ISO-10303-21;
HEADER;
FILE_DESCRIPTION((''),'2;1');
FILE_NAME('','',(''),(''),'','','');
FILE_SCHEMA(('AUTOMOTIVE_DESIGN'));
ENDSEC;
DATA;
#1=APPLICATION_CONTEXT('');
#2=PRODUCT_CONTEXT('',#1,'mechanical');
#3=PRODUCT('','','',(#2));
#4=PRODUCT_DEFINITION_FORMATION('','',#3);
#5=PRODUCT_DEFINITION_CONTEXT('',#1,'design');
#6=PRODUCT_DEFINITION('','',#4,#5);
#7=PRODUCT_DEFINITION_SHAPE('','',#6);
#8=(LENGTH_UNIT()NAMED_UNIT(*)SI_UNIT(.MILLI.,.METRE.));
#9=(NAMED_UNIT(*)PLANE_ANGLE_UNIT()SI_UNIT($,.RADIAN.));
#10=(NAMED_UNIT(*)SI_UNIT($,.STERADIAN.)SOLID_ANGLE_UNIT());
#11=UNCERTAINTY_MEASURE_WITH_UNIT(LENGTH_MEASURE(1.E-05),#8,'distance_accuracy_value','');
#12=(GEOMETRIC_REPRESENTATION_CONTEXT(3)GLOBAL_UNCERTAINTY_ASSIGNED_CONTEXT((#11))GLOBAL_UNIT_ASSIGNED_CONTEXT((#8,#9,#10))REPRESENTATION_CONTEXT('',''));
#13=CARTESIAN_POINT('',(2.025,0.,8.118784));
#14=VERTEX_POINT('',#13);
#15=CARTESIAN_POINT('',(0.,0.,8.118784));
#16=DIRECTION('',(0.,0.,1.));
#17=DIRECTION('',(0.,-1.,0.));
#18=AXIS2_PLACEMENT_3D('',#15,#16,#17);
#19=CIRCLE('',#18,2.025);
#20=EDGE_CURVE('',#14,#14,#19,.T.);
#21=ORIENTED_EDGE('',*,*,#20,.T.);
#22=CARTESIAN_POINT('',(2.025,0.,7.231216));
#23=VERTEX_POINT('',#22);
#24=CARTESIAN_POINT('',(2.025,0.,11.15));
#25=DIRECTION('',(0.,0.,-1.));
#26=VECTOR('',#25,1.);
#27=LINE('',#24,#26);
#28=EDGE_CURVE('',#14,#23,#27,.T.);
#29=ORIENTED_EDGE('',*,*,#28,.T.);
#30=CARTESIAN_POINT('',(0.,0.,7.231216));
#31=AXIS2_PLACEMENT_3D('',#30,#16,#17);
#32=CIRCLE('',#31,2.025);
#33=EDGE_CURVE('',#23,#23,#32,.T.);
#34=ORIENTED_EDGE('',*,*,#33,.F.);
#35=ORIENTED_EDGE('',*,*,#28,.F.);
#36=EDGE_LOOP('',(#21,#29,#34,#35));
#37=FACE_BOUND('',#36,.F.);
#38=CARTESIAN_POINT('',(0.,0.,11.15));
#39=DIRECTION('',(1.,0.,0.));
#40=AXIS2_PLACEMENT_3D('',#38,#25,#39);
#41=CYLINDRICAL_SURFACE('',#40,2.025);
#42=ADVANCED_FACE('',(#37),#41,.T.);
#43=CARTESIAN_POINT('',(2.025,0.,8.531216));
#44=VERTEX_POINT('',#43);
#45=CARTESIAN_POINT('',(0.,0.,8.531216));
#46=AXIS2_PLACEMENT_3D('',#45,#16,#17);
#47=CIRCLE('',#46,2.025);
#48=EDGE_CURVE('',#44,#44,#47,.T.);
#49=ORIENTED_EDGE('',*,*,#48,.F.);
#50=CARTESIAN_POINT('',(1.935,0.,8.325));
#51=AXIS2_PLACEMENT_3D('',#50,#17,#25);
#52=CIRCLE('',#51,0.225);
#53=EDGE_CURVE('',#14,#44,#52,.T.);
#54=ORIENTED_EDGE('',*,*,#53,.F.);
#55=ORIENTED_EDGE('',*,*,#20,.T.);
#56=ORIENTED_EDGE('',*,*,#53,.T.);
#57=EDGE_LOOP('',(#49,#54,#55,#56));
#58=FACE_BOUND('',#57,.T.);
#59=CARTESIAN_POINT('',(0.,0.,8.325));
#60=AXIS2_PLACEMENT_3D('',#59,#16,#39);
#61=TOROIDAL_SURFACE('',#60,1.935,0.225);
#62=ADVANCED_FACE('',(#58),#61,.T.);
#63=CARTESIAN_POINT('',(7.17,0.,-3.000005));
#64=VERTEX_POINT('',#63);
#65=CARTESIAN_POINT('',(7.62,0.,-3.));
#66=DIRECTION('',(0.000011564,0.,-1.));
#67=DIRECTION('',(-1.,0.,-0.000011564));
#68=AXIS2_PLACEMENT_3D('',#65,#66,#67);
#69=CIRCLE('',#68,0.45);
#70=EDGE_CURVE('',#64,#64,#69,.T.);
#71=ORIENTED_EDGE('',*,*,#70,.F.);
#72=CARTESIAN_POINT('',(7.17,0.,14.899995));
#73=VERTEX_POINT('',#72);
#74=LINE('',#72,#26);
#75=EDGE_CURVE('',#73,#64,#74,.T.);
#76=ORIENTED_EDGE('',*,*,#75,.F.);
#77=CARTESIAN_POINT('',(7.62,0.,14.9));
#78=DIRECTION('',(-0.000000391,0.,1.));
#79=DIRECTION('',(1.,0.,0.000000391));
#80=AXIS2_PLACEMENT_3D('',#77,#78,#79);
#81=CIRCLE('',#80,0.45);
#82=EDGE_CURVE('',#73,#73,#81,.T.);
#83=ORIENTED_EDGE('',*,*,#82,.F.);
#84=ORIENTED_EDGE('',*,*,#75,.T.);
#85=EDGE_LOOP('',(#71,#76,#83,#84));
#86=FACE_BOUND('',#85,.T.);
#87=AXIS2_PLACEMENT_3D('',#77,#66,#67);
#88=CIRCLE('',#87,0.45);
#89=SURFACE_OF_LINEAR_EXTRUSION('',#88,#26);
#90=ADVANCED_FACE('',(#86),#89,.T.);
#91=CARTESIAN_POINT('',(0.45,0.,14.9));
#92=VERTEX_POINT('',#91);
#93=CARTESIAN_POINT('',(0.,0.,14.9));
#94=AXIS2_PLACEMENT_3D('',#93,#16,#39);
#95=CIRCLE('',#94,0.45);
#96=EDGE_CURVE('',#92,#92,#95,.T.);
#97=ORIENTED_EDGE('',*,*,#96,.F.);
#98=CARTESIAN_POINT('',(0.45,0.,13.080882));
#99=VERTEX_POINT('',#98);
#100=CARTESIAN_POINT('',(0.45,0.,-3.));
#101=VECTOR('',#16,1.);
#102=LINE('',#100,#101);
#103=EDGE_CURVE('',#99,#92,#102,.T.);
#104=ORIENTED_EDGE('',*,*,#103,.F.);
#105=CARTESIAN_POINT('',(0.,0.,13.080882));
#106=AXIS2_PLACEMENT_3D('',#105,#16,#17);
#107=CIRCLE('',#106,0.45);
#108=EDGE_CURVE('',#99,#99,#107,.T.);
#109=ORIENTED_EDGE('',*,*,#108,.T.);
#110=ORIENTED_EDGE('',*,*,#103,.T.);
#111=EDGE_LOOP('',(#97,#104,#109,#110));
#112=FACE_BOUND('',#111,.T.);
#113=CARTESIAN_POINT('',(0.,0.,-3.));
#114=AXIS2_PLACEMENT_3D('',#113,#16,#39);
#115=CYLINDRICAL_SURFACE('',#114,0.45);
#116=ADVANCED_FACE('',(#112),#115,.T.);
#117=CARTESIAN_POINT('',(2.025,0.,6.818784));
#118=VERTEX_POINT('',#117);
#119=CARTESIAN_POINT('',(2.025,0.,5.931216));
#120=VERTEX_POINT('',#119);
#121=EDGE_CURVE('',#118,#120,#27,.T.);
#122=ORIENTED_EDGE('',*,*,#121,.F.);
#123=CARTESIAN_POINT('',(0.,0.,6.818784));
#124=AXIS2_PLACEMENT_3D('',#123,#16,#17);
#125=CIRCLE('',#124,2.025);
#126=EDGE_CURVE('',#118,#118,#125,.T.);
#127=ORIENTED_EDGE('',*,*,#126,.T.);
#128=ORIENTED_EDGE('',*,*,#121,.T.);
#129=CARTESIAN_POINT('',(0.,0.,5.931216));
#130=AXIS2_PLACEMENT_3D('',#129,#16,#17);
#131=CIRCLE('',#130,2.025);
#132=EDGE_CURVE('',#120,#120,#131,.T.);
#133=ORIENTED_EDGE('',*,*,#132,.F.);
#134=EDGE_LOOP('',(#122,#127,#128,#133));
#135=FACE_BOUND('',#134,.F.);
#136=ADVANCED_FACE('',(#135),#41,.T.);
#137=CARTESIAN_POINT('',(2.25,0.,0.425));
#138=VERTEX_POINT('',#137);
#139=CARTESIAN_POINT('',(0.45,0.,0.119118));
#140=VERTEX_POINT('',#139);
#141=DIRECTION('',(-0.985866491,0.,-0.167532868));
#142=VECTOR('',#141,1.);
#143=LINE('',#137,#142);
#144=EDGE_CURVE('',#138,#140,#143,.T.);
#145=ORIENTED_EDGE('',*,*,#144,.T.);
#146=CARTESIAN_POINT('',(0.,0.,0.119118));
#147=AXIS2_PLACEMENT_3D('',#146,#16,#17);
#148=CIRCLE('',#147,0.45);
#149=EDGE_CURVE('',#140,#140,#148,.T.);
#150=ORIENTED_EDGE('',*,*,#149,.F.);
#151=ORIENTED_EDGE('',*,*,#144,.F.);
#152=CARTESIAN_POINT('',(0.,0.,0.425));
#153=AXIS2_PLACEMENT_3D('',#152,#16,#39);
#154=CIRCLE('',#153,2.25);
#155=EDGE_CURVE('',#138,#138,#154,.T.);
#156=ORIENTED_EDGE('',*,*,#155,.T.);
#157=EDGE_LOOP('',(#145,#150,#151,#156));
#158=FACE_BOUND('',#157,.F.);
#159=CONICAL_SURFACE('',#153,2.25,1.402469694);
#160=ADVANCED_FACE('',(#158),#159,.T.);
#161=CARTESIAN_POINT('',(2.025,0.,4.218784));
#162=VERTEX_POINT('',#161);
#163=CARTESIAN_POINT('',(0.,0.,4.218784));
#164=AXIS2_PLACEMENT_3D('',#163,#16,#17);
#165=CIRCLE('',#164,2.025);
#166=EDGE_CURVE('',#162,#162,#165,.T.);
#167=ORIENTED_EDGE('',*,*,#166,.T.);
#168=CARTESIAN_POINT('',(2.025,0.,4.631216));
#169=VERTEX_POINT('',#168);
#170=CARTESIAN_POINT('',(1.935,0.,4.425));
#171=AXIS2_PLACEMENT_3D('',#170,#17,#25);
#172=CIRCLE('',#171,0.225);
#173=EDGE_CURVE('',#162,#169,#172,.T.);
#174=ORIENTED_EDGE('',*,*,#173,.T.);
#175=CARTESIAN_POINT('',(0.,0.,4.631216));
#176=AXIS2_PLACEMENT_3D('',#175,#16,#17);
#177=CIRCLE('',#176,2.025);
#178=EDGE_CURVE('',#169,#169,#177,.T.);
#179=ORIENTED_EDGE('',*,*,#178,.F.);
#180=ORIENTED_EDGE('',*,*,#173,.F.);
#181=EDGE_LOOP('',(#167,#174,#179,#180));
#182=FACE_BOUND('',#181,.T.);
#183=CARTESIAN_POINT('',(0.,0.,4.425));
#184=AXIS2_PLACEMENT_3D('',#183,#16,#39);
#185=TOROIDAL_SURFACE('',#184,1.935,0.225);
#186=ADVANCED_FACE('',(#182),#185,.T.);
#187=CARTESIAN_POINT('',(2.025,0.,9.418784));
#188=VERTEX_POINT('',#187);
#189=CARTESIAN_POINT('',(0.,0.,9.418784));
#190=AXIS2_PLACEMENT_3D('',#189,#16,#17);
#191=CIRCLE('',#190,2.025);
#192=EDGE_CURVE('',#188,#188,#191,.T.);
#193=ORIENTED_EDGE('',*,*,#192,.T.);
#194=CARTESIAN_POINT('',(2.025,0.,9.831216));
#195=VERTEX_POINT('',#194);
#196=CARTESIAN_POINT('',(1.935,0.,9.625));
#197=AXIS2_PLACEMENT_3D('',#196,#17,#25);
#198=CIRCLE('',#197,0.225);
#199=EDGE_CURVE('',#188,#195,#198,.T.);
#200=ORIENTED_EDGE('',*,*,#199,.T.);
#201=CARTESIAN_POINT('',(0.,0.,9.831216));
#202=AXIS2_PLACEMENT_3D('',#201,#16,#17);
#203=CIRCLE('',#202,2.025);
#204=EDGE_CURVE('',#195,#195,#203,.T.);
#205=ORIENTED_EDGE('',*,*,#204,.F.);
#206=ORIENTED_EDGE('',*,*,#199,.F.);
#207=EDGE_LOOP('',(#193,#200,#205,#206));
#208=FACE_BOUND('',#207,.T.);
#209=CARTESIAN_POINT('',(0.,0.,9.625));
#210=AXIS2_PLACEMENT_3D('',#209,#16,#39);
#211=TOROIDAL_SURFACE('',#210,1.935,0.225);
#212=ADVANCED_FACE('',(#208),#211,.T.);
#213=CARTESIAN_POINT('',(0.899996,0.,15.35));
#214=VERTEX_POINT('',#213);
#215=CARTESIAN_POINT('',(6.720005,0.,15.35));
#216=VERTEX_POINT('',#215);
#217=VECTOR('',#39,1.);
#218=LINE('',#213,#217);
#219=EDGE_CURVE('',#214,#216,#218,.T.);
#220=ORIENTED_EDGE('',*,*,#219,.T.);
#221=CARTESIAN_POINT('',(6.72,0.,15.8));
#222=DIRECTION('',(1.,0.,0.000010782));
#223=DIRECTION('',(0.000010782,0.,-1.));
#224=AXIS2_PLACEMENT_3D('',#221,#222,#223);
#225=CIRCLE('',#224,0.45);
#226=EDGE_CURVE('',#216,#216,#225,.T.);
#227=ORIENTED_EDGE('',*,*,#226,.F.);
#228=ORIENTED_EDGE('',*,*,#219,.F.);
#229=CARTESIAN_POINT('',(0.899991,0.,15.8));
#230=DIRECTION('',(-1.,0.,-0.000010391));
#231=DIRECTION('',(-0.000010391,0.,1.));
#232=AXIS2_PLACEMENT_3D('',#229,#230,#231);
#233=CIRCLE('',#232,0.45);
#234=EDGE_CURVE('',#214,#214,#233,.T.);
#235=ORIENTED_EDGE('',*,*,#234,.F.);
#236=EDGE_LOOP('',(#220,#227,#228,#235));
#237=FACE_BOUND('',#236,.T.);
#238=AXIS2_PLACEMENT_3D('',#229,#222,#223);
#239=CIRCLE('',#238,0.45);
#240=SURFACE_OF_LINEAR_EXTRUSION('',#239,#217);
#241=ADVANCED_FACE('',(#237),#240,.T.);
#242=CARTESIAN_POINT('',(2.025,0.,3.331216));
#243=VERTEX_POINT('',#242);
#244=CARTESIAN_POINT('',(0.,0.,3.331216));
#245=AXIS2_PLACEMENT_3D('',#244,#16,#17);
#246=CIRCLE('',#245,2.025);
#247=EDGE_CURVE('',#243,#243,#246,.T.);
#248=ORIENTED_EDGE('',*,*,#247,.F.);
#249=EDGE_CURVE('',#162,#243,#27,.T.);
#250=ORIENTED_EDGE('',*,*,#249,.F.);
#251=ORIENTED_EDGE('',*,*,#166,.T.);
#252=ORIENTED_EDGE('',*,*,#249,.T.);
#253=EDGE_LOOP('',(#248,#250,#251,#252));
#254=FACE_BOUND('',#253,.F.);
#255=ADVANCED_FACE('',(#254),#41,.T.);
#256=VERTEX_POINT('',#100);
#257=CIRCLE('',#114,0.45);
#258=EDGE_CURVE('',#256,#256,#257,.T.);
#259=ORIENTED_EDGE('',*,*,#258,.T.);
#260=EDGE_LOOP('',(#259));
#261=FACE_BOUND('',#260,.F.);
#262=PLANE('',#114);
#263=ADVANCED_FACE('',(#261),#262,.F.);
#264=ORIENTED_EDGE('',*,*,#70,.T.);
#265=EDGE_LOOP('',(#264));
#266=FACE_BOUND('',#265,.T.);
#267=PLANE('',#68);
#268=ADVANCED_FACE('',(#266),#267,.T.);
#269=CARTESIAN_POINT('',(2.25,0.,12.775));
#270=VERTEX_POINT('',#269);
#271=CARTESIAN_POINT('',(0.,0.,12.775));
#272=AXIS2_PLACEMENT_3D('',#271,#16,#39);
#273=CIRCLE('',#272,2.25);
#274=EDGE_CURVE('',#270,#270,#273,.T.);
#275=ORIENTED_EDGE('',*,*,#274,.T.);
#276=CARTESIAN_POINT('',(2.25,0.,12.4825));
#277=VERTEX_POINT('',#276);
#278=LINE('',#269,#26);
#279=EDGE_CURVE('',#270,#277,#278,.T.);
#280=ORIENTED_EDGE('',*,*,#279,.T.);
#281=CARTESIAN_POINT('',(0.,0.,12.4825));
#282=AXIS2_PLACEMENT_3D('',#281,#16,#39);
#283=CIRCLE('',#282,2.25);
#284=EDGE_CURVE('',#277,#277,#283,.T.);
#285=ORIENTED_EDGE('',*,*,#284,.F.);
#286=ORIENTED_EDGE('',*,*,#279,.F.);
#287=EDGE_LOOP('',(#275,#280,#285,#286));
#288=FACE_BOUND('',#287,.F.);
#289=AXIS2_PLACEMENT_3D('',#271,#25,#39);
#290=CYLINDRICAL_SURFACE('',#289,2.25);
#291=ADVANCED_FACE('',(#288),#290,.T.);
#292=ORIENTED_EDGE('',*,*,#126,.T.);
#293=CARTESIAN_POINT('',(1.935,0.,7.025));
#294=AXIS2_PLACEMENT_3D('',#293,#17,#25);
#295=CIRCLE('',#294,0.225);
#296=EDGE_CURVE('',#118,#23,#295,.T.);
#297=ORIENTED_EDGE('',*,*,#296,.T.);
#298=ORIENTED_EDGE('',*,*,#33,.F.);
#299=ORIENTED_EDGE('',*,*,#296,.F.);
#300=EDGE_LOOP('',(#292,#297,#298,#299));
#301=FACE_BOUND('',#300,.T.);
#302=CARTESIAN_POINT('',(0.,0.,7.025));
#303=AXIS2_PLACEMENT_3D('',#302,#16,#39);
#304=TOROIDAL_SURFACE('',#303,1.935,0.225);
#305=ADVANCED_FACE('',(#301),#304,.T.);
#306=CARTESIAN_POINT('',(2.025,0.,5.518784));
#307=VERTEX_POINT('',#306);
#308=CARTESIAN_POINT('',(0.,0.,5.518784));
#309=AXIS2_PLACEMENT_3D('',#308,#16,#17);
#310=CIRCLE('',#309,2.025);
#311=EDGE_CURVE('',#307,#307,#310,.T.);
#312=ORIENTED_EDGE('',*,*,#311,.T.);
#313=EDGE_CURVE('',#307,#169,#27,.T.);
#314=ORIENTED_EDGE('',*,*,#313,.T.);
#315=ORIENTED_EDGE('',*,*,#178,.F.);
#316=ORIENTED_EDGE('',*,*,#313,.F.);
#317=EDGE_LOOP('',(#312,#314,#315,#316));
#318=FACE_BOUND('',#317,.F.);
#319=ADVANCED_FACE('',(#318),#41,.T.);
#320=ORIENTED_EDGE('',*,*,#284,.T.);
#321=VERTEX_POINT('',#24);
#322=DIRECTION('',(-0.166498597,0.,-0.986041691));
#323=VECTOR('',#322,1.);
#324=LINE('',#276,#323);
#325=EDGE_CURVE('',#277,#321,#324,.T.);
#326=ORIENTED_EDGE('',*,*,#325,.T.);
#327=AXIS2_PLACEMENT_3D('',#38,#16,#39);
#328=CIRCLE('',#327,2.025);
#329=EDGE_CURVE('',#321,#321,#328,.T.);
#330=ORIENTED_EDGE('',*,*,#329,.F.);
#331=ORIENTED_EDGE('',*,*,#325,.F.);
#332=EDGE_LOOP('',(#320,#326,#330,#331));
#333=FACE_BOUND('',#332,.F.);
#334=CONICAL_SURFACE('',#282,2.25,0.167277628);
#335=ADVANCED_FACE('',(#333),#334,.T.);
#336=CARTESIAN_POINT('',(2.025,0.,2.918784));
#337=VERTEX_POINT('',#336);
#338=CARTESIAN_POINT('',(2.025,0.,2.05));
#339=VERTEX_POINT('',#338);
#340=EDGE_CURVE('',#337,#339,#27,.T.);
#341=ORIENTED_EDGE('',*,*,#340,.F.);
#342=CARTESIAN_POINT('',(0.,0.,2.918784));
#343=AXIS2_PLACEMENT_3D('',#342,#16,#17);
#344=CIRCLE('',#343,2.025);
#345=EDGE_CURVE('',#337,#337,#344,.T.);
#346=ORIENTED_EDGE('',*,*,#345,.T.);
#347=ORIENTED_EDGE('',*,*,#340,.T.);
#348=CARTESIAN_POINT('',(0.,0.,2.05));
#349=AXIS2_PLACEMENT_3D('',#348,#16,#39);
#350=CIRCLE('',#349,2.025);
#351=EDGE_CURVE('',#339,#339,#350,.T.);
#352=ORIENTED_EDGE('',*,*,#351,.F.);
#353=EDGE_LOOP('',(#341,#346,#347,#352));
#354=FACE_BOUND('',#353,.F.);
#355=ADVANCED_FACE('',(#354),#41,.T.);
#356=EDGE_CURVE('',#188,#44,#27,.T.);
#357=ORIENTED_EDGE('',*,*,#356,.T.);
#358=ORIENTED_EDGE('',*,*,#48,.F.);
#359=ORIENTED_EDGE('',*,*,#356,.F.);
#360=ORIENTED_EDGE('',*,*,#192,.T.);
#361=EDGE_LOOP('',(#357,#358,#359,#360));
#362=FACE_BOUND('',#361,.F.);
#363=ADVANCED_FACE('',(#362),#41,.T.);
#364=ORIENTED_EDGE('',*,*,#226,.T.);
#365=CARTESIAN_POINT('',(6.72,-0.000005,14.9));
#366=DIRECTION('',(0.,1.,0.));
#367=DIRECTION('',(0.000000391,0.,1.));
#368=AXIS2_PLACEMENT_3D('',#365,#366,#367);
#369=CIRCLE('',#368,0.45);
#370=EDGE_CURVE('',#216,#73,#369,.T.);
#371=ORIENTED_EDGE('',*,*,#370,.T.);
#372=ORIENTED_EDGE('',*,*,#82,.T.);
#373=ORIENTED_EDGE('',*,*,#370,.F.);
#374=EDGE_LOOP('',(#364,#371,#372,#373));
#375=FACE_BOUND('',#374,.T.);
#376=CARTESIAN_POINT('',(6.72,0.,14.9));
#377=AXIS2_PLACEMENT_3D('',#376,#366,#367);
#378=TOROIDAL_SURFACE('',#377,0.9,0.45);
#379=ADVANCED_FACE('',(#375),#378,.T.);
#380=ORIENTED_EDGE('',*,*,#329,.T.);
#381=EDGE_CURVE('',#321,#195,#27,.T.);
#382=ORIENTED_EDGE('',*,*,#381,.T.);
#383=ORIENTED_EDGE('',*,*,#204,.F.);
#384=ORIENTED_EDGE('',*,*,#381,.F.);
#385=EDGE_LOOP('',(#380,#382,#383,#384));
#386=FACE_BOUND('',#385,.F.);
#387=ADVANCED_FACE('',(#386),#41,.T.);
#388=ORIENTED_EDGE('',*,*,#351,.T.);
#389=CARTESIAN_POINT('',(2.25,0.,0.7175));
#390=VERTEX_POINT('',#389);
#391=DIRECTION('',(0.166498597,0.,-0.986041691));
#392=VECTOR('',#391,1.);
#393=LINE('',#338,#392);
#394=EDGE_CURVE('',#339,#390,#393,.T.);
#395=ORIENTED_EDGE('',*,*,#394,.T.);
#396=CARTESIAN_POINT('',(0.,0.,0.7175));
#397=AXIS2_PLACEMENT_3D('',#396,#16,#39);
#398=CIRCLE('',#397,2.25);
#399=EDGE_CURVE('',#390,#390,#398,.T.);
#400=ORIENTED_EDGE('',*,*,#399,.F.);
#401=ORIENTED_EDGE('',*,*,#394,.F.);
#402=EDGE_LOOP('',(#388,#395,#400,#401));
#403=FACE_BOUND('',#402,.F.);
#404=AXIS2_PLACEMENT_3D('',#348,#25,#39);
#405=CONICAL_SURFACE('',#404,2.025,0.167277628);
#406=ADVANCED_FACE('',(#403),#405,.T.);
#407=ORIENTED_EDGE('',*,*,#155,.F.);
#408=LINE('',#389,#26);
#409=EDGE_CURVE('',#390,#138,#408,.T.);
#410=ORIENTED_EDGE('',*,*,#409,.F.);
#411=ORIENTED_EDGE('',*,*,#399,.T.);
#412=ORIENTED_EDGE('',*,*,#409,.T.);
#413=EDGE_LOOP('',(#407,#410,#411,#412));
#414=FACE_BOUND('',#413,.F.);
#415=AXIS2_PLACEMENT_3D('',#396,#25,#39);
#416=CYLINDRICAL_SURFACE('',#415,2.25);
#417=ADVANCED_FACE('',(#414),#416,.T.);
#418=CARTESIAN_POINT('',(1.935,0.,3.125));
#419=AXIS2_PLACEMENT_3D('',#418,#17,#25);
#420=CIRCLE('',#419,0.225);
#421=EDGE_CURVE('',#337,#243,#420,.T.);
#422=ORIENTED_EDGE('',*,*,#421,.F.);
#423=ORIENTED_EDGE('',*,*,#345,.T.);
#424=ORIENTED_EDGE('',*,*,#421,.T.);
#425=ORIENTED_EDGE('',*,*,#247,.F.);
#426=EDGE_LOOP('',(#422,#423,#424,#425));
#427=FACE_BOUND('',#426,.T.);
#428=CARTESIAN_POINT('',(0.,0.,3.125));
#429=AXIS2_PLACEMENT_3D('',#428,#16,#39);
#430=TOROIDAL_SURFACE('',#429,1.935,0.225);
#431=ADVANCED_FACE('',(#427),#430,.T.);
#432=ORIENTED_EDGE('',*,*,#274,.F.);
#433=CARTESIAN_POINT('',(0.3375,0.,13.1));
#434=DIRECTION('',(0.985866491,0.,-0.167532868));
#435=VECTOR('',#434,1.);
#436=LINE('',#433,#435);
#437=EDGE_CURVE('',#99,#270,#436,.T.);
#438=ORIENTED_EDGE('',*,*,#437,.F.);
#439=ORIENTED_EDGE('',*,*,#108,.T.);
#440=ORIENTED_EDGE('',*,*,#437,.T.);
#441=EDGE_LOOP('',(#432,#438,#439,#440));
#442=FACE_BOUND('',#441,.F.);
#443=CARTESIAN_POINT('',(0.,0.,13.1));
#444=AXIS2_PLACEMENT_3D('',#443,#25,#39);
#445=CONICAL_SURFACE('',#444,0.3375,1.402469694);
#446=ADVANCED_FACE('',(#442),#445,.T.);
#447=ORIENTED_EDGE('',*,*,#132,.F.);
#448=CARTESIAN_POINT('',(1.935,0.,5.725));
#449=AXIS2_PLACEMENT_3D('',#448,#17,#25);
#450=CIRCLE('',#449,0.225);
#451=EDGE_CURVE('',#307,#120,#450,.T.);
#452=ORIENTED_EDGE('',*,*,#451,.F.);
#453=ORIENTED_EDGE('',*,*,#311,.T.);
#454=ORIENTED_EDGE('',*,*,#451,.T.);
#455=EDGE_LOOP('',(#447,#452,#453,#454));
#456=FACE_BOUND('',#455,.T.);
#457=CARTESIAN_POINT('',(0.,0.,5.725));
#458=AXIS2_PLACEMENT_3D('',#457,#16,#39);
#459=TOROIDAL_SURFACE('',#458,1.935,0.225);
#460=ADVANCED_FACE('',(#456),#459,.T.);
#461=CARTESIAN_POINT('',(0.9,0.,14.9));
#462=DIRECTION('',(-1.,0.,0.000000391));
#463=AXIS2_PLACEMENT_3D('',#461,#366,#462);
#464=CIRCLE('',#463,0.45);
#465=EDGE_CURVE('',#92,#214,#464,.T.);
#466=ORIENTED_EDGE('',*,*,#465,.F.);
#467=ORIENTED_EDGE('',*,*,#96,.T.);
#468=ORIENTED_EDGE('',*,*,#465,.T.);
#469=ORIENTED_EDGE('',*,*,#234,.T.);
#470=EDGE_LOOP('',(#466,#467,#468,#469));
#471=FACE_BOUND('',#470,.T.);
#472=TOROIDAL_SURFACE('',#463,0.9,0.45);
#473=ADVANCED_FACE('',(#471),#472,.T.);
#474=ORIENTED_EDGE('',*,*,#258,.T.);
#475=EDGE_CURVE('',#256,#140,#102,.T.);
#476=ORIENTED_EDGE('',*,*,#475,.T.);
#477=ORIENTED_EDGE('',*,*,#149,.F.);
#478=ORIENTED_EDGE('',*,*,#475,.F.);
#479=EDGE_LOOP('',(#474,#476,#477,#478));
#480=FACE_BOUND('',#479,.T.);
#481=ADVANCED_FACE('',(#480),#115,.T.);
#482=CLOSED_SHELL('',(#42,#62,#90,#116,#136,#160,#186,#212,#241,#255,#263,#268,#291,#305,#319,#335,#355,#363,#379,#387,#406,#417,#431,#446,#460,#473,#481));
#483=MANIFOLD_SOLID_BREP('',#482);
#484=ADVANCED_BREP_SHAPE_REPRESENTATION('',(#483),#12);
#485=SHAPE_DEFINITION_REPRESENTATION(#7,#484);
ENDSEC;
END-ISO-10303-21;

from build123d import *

# Parameters (mm, degrees)
SKETCH_R = 0.45


with BuildPart() as revolution:
    # Sketch002 → Revolution (revolve)
    with BuildSketch(Plane.XZ):
        Polygon((0, 0.1), (0, 13.1), (0.3375, 13.1), (2.25, 12.775), (2.25, 12.4825), (2.025, 11.15), (2.025, 2.05), (2.25, 0.7175), (2.25, 0.425), (0.3375, 0.1), align=None)
    revolve(axis=Axis((0, 0, 0), (0, 0, 1)))


with BuildPart() as sweep_body:
    # Sweep: sweep along a path in Sketch001
    with BuildLine(Plane.XZ) as sweep_path:
        Line((0, -3), (0, 14.9))
        ThreePointArc((0, 14.9), (0.263601, 15.536393), (0.899991, 15.8))
        Line((0.899991, 15.8), (6.72, 15.8))
        ThreePointArc((6.72, 15.8), (7.356396, 15.536396), (7.62, 14.9))
        Line((7.62, 14.9), (7.62, -3))
    # Sketch → Sweep (sweep)
    with BuildSketch(Plane.XY.offset(-2)):
        Circle(SKETCH_R)
    sweep(path=sweep_path.line)


with BuildPart() as revolution001_mp_cp:
    # Sketch003 → Revolution001 (revolve)
    with BuildSketch(Plane.XZ):
        with BuildLine():
            Line((1.8, 10.7), (1.8, 2.05))
            Line((1.8, 2.05), (1.935, 2.05))
            Line((1.935, 2.05), (1.935, 2.9))
            ThreePointArc((1.935, 2.9), (2.16, 3.125), (1.935, 3.35))
            Line((1.935, 3.35), (1.935, 4.2))
            ThreePointArc((1.935, 4.2), (2.16, 4.425), (1.935, 4.65))
            Line((1.935, 4.65), (1.935, 5.5))
            ThreePointArc((1.935, 5.5), (2.16, 5.725), (1.935, 5.95))
            Line((1.935, 5.95), (1.935, 6.8))
            ThreePointArc((1.935, 6.8), (2.16, 7.025), (1.935, 7.25))
            Line((1.935, 7.25), (1.935, 8.1))
            ThreePointArc((1.935, 8.1), (2.16, 8.325), (1.935, 8.55))
            Line((1.935, 8.55), (1.935, 9.4))
            ThreePointArc((1.935, 9.4), (2.16, 9.625), (1.935, 9.85))
            Line((1.935, 10.7), (1.935, 9.85))
            Line((1.8, 10.7), (1.935, 10.7))
        make_face()
    revolve(axis=Axis((0, 0, 0), (0, 0, 1)))

    # Revolution001_mp_cp: union Revolution, Sweep body
    add(revolution.part)
    add(sweep_body.part)


solid = revolution001_mp_cp.part
